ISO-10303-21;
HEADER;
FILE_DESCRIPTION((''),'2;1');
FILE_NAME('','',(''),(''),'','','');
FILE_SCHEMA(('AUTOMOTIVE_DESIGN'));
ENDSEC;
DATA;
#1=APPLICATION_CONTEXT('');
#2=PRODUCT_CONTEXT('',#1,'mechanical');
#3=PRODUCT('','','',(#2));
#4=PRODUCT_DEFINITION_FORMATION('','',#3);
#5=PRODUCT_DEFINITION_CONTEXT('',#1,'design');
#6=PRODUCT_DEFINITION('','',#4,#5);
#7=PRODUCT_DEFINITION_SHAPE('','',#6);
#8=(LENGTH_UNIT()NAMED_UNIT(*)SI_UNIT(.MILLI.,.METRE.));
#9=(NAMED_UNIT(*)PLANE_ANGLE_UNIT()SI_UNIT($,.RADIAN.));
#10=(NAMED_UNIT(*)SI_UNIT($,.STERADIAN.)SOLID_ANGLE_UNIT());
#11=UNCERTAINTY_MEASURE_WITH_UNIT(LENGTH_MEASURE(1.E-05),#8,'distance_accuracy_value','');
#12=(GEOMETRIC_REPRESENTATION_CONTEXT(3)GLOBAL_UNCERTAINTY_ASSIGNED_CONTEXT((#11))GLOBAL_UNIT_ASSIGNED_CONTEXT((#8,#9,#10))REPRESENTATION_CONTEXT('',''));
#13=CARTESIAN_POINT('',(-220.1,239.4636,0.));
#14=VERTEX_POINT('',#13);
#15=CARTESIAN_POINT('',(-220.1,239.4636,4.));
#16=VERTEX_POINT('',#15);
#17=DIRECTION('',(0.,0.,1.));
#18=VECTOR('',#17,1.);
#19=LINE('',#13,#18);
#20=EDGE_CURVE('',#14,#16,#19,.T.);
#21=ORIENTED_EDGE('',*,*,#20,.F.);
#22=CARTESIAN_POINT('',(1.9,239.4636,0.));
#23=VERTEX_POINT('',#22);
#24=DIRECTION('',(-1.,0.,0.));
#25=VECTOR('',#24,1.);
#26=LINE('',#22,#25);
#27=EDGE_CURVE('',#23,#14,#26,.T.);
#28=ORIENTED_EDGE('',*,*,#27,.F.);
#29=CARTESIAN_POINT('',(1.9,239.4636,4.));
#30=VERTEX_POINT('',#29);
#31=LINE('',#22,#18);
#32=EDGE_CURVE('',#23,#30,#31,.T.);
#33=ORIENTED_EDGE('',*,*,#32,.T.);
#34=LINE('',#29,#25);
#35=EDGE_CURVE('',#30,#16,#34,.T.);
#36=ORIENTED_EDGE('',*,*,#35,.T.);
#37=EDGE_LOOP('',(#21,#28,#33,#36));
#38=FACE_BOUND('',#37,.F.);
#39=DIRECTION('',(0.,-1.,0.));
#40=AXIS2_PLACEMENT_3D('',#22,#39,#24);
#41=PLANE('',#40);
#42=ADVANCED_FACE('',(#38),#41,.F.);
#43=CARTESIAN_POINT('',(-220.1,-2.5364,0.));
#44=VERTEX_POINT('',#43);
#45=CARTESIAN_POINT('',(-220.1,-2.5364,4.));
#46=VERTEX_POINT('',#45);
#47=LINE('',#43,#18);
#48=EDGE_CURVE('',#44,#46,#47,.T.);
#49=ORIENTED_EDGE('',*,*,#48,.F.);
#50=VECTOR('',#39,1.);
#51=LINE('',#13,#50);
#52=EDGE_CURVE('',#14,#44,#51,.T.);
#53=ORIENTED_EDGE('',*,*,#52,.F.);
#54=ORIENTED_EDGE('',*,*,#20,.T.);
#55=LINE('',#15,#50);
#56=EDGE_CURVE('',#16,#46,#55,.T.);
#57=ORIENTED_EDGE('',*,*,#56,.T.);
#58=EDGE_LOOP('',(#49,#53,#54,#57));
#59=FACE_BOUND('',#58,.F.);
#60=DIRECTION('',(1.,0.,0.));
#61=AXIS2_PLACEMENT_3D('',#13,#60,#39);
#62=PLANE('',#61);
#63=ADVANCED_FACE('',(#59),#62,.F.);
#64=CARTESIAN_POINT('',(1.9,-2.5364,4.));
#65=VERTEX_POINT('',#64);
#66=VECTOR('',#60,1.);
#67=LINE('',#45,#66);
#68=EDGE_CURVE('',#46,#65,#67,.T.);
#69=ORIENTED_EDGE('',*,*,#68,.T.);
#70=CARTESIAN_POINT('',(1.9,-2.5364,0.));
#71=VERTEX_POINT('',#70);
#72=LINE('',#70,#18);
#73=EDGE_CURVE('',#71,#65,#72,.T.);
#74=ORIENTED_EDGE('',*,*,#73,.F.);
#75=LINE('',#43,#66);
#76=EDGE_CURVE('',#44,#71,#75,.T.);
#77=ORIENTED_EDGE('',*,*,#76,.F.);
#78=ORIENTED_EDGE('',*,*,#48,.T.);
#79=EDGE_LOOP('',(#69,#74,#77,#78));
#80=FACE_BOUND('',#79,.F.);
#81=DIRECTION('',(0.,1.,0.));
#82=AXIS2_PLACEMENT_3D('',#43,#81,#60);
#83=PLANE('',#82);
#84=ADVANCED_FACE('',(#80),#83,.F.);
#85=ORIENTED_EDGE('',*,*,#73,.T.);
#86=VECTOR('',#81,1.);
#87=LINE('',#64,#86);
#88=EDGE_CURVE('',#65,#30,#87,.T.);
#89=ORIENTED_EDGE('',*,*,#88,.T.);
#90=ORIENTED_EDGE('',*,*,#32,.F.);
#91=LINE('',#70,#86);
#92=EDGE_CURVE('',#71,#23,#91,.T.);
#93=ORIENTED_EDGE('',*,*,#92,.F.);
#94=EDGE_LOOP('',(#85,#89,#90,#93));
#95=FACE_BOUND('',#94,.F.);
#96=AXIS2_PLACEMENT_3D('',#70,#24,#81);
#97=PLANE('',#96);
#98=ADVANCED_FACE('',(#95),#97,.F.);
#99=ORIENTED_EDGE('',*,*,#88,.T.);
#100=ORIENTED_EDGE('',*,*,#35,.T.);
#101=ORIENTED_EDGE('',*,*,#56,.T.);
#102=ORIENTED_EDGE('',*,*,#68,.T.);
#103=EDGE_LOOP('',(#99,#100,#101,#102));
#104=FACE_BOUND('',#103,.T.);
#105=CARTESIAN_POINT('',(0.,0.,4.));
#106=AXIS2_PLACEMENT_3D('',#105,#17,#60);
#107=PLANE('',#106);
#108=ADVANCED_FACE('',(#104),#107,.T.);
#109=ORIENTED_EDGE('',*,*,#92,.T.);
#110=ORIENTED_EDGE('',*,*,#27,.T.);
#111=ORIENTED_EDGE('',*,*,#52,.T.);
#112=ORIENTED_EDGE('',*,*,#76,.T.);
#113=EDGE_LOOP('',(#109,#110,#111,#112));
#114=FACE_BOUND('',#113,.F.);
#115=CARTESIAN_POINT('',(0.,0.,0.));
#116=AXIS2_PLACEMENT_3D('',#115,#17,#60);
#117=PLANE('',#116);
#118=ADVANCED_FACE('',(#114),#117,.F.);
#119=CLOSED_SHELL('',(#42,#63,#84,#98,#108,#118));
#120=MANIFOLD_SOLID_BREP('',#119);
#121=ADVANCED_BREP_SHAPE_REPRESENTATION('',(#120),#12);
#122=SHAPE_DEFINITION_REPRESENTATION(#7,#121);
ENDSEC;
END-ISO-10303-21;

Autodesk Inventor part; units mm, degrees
ref_plane "YZ Plane" through (0, 0, 0) normal (1, 0, 0) x (0, 1, 0)
ref_plane "XZ Plane" through (0, 0, 0) normal (0, 1, 0) x (-1, 0, 0)
ref_plane "XY Plane" through (0, 0, 0) normal (0, 0, 1) x (1, 0, 0)
sketch "Sketch1" plane through (0, 0, 0) normal (0, 0, 1) x (1, 0, 0)
  line L0 (0.9, 0) -> (0.9, 236.9272) construction
  line L1 (-2.4364, 238.4636) -> (-105.7636, 238.4636) construction
  line L2 (-105.7636, -1.5364) -> (-2.4364, -1.5364) construction
  line L3 (-219.1, 236.9272) -> (-219.1, 0) construction
  line L4 (1.9, 239.4636) -> (-220.1, 239.4636)
  line L5 (-220.1, 239.4636) -> (-220.1, -2.5364)
  line L6 (-220.1, -2.5364) -> (1.9, -2.5364)
  line L7 (1.9, -2.5364) -> (1.9, 239.4636)
  point P0 (0, 0)
  dimension "d0" = 1
  dimension "d1" = 1
  dimension "d2" = 1
  dimension "d3" = 1
extrude "Extrusion1" add sketch "Sketch1" along normal blind 4
properties part number "lid" material "Polycarbonate, Clear"
